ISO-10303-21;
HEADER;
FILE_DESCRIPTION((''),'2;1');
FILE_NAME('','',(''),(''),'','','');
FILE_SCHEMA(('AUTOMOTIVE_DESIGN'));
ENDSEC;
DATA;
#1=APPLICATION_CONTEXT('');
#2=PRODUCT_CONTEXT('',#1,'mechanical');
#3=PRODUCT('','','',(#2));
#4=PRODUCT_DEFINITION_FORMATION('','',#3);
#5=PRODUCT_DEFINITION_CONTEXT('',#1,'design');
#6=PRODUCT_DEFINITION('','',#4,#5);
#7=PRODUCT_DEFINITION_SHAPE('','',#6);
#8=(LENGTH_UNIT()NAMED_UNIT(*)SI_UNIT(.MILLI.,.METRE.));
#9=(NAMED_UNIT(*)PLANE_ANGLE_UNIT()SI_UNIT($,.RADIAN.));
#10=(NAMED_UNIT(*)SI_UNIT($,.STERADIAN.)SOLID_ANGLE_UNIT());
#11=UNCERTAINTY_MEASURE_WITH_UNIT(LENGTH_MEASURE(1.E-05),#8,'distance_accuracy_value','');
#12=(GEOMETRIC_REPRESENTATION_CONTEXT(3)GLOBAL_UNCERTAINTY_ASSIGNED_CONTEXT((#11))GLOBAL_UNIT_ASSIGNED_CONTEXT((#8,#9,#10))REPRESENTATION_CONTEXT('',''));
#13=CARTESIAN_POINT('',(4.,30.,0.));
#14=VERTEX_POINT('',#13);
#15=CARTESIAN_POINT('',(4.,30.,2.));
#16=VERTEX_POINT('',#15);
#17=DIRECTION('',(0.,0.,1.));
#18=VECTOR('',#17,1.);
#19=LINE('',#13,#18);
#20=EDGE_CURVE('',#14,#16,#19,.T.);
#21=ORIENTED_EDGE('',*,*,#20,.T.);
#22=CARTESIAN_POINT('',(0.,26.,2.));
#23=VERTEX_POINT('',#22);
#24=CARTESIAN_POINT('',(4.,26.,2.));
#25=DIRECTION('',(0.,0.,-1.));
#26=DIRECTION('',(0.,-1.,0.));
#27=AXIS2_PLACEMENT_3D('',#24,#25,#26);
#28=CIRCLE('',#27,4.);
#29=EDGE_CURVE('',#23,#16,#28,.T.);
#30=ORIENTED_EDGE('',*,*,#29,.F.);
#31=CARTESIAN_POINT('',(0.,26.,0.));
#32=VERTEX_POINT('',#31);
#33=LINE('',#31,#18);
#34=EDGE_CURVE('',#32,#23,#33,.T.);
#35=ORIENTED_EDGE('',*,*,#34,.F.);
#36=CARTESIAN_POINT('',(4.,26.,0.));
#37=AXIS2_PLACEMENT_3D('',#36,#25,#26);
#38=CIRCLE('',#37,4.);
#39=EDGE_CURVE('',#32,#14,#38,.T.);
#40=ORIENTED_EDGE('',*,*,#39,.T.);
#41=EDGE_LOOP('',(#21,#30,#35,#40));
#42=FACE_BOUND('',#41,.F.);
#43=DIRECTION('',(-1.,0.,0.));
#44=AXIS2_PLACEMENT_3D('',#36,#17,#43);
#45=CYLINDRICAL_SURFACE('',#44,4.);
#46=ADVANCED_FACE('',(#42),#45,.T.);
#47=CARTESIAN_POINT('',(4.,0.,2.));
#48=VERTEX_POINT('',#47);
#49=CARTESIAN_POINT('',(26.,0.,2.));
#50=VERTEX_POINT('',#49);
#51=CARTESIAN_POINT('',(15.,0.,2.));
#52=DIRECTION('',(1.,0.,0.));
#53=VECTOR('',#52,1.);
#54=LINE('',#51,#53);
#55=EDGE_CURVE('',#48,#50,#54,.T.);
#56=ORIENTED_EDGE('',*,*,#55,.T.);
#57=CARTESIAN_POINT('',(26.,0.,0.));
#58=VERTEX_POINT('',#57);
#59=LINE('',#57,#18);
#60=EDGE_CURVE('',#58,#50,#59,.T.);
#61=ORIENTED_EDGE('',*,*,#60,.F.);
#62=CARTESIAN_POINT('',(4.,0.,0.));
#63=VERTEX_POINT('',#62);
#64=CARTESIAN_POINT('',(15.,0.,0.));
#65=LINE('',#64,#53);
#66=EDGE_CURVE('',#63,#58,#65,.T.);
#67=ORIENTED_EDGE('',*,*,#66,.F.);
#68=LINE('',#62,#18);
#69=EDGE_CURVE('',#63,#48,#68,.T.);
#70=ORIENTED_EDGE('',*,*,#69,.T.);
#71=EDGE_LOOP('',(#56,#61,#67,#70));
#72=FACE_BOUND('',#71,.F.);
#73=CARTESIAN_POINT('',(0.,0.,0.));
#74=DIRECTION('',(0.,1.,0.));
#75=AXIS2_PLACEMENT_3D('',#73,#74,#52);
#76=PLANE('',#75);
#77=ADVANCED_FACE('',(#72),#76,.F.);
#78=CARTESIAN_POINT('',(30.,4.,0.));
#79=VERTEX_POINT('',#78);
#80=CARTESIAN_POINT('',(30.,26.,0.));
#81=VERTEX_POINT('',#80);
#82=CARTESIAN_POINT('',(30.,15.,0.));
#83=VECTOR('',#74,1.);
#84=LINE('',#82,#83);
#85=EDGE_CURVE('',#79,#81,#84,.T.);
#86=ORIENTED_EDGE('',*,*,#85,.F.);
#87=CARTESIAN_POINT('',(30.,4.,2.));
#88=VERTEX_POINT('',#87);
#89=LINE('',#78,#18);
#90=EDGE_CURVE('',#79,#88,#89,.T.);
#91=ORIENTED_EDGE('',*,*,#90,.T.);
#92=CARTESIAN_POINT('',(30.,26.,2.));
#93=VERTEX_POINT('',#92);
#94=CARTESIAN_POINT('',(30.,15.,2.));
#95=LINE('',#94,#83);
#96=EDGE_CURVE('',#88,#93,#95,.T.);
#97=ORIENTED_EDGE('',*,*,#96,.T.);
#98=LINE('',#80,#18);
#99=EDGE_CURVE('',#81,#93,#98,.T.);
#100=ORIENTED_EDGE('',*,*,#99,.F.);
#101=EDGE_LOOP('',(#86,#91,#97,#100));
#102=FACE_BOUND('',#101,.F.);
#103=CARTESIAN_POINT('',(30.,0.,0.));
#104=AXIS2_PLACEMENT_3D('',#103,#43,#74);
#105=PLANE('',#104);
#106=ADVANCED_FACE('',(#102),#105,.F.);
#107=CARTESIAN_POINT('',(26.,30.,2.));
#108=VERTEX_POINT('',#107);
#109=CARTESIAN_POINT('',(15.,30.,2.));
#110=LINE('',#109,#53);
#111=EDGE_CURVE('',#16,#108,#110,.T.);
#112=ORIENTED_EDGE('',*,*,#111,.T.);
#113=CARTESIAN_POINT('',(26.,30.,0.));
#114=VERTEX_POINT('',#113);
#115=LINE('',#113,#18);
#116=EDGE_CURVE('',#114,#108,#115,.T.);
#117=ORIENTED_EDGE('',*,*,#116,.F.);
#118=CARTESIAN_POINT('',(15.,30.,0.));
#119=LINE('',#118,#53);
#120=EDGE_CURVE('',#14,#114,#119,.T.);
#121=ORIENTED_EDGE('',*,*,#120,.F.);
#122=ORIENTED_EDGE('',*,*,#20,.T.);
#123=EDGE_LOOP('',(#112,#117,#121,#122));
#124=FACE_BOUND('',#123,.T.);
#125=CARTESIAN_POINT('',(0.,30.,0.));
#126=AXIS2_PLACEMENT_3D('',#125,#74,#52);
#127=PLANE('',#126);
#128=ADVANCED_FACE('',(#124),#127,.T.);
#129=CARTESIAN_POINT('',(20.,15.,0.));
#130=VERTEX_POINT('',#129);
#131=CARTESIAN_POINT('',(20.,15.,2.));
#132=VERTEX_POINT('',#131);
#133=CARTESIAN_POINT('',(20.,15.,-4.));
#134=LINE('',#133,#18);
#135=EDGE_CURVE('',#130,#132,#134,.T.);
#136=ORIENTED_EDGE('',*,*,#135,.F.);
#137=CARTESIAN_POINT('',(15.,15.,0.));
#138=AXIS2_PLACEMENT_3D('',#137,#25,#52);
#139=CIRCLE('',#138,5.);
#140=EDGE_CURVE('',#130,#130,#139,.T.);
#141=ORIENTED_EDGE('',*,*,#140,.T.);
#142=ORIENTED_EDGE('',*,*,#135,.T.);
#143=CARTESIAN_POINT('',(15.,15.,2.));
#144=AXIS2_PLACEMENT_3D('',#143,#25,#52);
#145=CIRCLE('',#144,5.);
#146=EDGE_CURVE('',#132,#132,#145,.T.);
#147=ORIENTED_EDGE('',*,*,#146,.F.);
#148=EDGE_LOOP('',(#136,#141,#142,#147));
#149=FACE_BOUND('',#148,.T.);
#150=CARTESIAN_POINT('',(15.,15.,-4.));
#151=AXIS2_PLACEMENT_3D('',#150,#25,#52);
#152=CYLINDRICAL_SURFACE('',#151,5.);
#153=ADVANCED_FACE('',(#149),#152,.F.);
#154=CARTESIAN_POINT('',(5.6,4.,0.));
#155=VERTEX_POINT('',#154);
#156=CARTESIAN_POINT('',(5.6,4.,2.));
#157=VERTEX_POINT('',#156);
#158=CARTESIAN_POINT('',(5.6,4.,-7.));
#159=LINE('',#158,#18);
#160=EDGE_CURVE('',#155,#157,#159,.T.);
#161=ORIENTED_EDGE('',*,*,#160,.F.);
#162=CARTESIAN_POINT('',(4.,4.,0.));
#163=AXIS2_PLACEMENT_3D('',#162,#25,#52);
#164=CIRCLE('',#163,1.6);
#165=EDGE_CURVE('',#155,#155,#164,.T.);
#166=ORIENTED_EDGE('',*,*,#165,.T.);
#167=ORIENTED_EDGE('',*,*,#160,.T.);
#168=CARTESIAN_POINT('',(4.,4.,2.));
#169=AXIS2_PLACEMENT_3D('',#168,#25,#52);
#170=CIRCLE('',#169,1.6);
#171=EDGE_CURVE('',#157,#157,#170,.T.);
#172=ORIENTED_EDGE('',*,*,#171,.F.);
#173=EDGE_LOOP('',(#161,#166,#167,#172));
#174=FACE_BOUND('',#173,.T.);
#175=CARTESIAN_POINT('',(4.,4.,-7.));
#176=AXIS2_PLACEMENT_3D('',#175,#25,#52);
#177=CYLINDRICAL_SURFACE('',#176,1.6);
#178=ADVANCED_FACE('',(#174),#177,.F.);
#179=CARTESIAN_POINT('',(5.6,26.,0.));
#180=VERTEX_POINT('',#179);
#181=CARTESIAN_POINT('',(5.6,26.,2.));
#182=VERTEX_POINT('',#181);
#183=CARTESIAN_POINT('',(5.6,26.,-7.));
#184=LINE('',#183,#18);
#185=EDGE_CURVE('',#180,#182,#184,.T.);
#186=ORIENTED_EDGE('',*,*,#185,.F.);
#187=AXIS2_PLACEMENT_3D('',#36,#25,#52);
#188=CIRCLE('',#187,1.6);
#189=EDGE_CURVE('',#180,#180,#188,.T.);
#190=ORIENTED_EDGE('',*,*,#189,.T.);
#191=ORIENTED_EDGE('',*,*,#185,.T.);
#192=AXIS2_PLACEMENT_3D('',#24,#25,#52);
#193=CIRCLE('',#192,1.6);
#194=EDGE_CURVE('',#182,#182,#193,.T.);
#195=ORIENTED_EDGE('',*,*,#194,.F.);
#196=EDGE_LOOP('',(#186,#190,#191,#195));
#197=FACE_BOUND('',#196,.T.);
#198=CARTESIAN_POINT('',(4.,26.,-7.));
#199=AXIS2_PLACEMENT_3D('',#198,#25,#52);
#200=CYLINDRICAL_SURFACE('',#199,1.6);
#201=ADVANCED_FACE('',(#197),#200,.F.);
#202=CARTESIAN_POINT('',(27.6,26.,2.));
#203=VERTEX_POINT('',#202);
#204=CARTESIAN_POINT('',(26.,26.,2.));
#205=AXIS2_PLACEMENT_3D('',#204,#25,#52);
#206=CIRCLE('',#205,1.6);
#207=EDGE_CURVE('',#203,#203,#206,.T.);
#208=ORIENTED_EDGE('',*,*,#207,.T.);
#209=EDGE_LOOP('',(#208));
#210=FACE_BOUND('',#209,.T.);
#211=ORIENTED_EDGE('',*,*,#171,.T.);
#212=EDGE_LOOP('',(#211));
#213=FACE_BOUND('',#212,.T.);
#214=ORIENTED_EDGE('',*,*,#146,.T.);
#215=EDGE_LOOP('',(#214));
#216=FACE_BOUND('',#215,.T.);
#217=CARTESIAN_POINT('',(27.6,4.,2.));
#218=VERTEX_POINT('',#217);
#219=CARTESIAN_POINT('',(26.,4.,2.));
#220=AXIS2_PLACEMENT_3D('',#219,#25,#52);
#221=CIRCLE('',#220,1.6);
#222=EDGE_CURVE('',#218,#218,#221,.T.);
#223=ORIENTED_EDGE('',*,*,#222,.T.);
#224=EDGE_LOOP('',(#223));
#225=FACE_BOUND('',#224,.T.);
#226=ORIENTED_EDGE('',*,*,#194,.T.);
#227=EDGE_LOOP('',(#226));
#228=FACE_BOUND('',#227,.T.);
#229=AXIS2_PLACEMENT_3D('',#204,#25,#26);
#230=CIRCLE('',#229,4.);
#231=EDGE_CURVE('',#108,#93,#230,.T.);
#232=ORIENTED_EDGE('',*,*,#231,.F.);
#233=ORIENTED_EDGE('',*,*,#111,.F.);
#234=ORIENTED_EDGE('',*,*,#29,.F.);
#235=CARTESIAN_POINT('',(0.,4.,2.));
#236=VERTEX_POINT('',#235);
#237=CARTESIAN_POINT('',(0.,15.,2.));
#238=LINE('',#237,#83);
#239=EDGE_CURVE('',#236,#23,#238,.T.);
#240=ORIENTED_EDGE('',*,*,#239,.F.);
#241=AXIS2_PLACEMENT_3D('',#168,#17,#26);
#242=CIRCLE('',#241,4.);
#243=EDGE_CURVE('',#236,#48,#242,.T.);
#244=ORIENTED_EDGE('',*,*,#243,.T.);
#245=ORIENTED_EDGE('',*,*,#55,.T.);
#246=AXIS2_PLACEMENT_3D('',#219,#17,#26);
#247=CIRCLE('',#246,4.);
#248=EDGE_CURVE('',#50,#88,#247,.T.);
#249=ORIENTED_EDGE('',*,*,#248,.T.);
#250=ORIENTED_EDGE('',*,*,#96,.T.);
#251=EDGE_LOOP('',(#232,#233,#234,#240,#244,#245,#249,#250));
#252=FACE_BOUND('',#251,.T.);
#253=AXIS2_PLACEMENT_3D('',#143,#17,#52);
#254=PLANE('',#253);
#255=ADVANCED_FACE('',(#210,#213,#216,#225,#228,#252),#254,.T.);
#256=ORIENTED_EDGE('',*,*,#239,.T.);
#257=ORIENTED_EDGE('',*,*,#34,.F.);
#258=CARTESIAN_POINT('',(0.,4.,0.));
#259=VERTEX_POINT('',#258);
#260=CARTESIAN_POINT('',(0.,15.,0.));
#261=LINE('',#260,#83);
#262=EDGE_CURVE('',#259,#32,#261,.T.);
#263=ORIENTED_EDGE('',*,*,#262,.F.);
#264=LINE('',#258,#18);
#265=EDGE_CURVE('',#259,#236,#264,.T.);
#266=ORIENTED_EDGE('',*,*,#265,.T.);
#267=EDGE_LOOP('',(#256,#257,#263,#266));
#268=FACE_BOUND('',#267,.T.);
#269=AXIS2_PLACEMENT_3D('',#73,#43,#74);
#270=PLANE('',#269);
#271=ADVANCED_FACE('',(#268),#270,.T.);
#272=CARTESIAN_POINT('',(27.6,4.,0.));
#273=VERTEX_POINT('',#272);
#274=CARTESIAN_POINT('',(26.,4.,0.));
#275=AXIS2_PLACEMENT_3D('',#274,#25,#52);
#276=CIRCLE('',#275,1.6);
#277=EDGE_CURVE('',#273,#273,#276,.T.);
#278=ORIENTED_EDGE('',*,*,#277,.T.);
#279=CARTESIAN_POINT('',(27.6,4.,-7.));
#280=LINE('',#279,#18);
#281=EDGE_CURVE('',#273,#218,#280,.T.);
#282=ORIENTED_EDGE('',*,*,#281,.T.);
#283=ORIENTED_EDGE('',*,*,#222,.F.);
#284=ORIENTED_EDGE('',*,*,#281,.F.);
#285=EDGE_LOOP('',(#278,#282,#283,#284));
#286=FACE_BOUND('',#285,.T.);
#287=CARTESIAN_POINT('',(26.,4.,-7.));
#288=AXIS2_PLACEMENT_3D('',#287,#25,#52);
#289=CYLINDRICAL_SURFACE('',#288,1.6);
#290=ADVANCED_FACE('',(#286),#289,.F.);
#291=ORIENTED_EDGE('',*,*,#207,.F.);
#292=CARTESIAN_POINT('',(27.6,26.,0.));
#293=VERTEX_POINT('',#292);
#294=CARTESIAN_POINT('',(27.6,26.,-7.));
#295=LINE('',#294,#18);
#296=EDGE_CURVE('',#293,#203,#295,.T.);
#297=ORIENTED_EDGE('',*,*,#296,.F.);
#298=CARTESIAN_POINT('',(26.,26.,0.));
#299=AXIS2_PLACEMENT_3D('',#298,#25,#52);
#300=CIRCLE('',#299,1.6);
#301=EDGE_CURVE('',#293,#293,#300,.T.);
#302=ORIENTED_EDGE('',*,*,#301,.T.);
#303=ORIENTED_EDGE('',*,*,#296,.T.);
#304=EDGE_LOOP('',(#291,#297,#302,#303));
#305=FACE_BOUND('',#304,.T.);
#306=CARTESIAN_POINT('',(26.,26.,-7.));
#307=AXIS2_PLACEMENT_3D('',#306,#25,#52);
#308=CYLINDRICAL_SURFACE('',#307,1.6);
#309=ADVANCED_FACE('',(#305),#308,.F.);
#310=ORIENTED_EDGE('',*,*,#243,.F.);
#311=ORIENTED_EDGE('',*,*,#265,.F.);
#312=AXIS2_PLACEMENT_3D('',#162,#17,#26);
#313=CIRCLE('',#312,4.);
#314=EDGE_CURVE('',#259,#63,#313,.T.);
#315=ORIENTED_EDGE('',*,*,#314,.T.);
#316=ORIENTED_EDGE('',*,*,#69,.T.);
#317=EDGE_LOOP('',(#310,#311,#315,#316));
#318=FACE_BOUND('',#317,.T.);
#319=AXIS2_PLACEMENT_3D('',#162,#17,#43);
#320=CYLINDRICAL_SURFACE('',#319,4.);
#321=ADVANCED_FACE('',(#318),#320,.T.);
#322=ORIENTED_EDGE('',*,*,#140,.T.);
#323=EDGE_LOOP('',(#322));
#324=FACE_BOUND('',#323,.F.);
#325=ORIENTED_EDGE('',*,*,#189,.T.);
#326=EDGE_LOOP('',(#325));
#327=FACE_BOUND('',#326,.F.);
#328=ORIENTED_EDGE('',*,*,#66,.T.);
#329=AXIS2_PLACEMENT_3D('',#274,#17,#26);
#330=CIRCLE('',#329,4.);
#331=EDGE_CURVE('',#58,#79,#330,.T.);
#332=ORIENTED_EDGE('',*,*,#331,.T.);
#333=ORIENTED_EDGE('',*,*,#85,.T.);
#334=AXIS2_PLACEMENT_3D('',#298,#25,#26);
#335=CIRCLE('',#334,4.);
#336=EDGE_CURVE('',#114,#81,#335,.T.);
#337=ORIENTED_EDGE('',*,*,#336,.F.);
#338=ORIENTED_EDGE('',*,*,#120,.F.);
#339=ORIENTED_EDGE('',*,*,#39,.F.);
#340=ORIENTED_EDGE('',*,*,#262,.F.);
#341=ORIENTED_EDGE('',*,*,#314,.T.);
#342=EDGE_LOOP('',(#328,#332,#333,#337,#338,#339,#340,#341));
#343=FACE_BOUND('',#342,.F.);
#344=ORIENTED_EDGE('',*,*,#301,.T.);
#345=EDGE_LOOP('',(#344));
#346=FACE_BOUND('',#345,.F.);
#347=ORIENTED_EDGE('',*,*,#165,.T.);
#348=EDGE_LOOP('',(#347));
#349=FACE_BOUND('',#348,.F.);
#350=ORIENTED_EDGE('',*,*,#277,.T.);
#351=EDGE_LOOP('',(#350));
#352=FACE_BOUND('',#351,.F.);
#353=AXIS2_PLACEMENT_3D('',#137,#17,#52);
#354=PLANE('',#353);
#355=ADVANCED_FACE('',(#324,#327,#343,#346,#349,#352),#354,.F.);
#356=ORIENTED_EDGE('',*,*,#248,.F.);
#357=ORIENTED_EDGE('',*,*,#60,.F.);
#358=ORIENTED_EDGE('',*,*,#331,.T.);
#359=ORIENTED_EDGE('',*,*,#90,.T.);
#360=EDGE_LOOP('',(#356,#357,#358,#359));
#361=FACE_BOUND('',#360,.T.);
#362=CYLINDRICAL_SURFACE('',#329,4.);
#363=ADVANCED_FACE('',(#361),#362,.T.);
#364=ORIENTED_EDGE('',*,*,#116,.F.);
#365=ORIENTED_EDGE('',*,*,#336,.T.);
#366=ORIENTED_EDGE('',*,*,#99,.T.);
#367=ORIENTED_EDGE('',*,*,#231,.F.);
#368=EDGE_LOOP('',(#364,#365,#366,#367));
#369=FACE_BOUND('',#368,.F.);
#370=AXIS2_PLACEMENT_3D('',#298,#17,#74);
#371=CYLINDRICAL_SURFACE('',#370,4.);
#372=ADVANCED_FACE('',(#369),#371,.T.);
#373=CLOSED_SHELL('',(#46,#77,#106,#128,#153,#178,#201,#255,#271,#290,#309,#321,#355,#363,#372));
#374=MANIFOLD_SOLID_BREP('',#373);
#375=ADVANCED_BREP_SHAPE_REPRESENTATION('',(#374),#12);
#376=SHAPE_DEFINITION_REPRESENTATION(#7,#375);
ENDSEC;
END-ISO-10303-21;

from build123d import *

# Parameters (mm, degrees)
CYLINDER057_R       = 5
CYLINDER057_DEPTH   = 15
CYLINDER058_R       = 1.6
CYLINDER058_DEPTH   = 20
ARRAY001029_X_COUNT = 2
ARRAY001029_X_PITCH = 22
ARRAY001029_Y_COUNT = 2
ARRAY001029_Y_PITCH = 22
BOX007_W            = 30
BOX007_H            = 30
BOX007_DEPTH        = 2
FILLET013_R         = 4


with BuildPart() as side_bearing_central_hole_cylinder001:
    # Cylinder057 → Cylinder057 (new body)
    with BuildSketch(Plane(origin=(15, 15, -4), x_dir=(1, 0, 0), z_dir=(0, 0, 1))):
        Circle(CYLINDER057_R)
    extrude(amount=CYLINDER057_DEPTH)


with BuildPart() as fusion039:
    # Cylinder058 → Cylinder058 (new body)
    with BuildSketch(Plane(origin=(4, 4, -7), x_dir=(1, 0, 0), z_dir=(0, 0, 1))):
        Circle(CYLINDER058_R)
    extrude(amount=CYLINDER058_DEPTH)

    # Array001029 X: Fusion039 ×2


with BuildPart() as fusion039_1:
    add(fusion039.part)
    with Locations(*[(i * ARRAY001029_X_PITCH, 0, 0) for i in range(1, ARRAY001029_X_COUNT)]):
        add(fusion039.part)

    # Array001029 Y: Fusion039 ×2


with BuildPart() as fusion039_2:
    add(fusion039_1.part)
    with Locations(*[(0, i * ARRAY001029_Y_PITCH, 0) for i in range(1, ARRAY001029_Y_COUNT)]):
        add(fusion039_1.part)

    # Fusion039: union side bearing central hole cylinder001
    add(side_bearing_central_hole_cylinder001.part)


with BuildPart() as bearing_cover_fillet:
    # Box007 → Box007 (new body)
    with BuildSketch(Plane.XY):
        with Locations((15, 15)):
            Rectangle(BOX007_W, BOX007_H)
    extrude(amount=BOX007_DEPTH)

    # Cut023004: cut Fusion039
    add(fusion039_2.part, mode=Mode.SUBTRACT)

    # Fillet013
    fillet013_edges = [bearing_cover_fillet.edges().sort_by_distance(p)[0] for p in [
        (0, 0, 1),
        (0, 30, 1),
        (30, 0, 1),
        (30, 30, 1),
    ]]
    fillet(fillet013_edges, radius=FILLET013_R)


solid = bearing_cover_fillet.part
